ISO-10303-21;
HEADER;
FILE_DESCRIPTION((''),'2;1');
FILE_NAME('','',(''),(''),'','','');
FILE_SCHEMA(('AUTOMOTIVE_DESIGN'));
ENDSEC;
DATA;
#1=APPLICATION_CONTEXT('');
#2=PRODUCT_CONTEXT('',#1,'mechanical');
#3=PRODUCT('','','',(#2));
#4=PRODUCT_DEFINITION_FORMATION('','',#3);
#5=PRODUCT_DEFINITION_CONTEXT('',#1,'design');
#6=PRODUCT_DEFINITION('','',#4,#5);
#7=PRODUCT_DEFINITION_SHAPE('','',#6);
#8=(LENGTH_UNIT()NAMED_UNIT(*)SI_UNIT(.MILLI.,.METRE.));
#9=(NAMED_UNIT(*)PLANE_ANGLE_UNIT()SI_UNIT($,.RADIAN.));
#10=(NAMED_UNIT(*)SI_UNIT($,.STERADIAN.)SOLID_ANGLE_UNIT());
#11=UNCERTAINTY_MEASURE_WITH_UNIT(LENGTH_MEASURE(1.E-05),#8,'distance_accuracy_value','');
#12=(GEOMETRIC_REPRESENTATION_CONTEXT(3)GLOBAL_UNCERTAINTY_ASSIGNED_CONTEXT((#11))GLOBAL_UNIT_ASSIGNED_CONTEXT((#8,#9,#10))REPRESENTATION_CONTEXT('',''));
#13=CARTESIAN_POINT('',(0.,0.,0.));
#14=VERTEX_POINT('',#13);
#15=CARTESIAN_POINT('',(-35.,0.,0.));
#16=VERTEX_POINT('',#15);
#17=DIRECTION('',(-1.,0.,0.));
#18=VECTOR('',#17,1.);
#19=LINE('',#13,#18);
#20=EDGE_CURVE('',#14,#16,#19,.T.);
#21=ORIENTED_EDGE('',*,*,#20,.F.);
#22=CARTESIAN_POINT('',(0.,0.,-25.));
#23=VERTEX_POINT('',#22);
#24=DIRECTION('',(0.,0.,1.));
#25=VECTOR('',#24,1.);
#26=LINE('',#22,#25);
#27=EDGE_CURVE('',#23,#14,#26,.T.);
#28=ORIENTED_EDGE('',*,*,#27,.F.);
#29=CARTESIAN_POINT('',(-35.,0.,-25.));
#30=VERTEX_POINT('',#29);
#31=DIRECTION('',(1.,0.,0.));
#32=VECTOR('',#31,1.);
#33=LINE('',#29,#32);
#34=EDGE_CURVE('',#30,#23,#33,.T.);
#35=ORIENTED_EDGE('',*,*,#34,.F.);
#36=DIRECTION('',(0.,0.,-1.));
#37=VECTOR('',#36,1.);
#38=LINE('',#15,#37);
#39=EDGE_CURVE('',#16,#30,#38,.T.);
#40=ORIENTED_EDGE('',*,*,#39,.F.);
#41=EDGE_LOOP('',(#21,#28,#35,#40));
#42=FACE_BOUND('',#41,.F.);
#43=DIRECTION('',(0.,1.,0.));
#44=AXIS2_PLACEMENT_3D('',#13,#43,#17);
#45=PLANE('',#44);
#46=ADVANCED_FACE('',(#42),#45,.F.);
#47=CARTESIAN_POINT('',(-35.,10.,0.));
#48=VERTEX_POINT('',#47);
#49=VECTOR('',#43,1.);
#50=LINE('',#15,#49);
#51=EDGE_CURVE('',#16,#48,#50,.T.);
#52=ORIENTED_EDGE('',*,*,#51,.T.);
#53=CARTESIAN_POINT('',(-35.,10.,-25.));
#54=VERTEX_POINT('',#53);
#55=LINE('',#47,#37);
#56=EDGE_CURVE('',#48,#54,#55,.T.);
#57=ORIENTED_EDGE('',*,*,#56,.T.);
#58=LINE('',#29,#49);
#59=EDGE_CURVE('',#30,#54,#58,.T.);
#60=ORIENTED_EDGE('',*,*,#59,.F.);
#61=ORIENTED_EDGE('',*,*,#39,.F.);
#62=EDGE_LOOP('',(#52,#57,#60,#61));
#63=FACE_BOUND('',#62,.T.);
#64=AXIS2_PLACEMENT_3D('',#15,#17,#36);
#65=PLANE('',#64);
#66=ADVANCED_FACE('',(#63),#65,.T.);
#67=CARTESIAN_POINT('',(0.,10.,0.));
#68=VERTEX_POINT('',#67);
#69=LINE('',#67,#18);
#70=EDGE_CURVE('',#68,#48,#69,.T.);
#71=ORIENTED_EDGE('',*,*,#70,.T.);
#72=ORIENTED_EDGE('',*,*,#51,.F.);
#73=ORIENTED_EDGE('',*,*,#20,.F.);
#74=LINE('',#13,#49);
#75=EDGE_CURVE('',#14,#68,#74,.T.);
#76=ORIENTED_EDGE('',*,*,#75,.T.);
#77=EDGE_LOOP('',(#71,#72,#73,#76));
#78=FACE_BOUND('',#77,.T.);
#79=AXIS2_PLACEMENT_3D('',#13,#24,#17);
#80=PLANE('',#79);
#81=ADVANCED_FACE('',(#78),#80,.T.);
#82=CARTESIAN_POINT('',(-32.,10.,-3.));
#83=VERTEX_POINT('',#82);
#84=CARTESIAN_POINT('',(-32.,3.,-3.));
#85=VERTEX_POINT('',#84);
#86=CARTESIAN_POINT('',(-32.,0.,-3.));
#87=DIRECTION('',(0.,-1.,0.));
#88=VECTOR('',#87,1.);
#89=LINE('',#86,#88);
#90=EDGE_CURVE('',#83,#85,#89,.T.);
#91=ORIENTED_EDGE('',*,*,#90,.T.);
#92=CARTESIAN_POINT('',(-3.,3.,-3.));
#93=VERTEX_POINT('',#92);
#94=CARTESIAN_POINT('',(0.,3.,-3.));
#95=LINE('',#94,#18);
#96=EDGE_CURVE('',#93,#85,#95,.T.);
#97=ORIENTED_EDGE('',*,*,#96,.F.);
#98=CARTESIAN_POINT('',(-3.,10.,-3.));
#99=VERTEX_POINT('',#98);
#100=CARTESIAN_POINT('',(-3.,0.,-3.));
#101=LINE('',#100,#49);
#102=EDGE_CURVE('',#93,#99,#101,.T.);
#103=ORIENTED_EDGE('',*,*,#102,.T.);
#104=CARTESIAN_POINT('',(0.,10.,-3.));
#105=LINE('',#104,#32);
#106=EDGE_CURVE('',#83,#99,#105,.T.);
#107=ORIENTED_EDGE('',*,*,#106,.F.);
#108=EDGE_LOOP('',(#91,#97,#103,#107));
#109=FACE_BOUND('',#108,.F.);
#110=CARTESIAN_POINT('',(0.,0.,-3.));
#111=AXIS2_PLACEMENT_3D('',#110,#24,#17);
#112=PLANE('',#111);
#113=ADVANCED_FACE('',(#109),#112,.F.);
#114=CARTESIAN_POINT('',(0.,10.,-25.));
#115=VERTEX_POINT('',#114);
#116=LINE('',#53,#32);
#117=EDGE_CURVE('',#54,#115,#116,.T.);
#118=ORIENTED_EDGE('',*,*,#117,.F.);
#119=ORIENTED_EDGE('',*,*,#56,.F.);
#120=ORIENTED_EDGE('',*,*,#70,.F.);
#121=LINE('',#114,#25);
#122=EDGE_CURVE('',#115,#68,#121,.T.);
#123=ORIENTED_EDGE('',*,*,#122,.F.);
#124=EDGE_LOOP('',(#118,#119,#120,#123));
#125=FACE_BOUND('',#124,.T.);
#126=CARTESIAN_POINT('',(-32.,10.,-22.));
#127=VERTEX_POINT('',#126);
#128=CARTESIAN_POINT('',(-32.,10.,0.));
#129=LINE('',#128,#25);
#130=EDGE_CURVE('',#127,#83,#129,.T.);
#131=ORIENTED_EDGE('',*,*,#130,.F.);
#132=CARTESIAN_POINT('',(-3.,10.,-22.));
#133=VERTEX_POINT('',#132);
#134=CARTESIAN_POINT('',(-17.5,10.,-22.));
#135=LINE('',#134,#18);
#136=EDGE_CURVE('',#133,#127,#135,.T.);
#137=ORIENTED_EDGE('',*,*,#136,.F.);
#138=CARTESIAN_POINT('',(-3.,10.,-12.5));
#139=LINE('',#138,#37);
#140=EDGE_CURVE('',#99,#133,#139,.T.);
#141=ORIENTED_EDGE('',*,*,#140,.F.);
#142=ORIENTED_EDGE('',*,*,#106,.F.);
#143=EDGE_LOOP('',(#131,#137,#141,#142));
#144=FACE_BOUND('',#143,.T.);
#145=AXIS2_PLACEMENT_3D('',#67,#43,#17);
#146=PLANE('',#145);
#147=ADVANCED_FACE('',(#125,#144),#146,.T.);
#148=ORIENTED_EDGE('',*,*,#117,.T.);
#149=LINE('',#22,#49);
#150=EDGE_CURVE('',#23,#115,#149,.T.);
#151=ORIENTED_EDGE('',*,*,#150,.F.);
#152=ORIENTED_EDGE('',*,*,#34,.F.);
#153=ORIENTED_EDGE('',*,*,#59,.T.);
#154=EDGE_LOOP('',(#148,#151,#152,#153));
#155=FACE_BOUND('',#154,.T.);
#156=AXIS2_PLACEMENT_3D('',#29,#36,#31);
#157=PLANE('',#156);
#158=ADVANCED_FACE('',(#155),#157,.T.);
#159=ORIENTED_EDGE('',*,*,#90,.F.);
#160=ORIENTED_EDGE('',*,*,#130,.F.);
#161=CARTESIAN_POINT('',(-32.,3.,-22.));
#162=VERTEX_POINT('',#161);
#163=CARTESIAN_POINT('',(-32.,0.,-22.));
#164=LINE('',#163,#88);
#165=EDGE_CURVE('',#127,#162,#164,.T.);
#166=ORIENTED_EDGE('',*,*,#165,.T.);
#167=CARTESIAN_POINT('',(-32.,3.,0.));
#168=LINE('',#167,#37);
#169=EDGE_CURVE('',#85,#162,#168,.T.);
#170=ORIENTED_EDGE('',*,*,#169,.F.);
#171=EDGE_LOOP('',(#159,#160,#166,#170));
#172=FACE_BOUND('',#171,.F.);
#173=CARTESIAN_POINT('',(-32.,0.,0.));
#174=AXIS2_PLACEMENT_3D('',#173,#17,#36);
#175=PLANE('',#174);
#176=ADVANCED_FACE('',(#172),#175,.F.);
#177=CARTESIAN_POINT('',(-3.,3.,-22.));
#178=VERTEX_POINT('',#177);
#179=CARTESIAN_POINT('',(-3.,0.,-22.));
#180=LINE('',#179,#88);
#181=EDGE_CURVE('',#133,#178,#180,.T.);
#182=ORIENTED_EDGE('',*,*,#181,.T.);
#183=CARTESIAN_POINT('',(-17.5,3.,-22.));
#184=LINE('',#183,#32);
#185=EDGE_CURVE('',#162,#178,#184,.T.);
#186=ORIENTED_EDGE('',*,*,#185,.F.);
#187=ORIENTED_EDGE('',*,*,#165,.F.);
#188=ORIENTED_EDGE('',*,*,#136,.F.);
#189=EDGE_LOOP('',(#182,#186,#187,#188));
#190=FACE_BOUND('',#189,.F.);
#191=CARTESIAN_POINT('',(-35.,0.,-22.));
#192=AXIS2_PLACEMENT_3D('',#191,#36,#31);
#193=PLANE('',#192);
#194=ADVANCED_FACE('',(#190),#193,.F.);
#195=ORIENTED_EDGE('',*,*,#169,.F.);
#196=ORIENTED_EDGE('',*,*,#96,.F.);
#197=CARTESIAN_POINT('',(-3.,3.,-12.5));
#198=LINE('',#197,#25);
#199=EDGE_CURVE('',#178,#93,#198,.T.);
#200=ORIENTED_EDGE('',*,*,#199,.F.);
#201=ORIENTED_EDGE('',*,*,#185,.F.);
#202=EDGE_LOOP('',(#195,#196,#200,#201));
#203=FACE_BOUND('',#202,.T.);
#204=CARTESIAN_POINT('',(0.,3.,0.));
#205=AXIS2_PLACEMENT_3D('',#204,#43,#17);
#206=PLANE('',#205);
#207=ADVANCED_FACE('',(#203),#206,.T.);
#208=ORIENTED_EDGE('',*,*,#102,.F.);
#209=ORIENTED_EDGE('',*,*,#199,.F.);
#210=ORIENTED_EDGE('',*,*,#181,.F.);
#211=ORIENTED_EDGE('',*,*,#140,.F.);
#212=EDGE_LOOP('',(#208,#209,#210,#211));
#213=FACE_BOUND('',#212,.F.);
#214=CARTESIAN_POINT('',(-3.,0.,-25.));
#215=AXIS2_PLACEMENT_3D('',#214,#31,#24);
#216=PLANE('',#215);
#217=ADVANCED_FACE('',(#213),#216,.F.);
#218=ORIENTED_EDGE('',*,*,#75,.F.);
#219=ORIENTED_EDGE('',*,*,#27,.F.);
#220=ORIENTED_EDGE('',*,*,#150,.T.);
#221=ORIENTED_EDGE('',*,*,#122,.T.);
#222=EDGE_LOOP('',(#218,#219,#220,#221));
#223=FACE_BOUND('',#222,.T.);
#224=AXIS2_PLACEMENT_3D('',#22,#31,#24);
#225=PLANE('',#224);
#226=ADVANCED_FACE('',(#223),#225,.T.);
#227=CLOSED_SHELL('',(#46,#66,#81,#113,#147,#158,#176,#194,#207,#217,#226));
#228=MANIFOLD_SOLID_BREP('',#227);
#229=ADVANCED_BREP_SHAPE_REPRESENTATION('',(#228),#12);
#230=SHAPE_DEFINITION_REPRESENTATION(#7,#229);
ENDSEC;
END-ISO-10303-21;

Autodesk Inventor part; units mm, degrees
ref_plane "YZ Plane" through (0, 0, 0) normal (1, 0, 0) x (0, 1, 0)
ref_plane "XZ Plane" through (0, 0, 0) normal (0, 1, 0) x (-1, 0, 0)
ref_plane "XY Plane" through (0, 0, 0) normal (0, 0, 1) x (1, 0, 0)
sketch "スケッチ1" plane through (0, 0, 0) normal (0, 1, 0) x (-1, 0, 0)
  line L0 (0, 0) -> (35, 0)
  line L1 (35, 0) -> (35, -25)
  line L2 (35, -25) -> (0, -25)
  line L3 (0, -25) -> (0, 0)
  dimension "d0" = 25
  dimension "d1" = 35
extrude "押し出し1" add sketch "スケッチ1" along normal blind 10
shell "シェル2" thickness 3 removed faces 1 at (-11.6667, 10, -8.3333)
properties part number "dxl_hub"
